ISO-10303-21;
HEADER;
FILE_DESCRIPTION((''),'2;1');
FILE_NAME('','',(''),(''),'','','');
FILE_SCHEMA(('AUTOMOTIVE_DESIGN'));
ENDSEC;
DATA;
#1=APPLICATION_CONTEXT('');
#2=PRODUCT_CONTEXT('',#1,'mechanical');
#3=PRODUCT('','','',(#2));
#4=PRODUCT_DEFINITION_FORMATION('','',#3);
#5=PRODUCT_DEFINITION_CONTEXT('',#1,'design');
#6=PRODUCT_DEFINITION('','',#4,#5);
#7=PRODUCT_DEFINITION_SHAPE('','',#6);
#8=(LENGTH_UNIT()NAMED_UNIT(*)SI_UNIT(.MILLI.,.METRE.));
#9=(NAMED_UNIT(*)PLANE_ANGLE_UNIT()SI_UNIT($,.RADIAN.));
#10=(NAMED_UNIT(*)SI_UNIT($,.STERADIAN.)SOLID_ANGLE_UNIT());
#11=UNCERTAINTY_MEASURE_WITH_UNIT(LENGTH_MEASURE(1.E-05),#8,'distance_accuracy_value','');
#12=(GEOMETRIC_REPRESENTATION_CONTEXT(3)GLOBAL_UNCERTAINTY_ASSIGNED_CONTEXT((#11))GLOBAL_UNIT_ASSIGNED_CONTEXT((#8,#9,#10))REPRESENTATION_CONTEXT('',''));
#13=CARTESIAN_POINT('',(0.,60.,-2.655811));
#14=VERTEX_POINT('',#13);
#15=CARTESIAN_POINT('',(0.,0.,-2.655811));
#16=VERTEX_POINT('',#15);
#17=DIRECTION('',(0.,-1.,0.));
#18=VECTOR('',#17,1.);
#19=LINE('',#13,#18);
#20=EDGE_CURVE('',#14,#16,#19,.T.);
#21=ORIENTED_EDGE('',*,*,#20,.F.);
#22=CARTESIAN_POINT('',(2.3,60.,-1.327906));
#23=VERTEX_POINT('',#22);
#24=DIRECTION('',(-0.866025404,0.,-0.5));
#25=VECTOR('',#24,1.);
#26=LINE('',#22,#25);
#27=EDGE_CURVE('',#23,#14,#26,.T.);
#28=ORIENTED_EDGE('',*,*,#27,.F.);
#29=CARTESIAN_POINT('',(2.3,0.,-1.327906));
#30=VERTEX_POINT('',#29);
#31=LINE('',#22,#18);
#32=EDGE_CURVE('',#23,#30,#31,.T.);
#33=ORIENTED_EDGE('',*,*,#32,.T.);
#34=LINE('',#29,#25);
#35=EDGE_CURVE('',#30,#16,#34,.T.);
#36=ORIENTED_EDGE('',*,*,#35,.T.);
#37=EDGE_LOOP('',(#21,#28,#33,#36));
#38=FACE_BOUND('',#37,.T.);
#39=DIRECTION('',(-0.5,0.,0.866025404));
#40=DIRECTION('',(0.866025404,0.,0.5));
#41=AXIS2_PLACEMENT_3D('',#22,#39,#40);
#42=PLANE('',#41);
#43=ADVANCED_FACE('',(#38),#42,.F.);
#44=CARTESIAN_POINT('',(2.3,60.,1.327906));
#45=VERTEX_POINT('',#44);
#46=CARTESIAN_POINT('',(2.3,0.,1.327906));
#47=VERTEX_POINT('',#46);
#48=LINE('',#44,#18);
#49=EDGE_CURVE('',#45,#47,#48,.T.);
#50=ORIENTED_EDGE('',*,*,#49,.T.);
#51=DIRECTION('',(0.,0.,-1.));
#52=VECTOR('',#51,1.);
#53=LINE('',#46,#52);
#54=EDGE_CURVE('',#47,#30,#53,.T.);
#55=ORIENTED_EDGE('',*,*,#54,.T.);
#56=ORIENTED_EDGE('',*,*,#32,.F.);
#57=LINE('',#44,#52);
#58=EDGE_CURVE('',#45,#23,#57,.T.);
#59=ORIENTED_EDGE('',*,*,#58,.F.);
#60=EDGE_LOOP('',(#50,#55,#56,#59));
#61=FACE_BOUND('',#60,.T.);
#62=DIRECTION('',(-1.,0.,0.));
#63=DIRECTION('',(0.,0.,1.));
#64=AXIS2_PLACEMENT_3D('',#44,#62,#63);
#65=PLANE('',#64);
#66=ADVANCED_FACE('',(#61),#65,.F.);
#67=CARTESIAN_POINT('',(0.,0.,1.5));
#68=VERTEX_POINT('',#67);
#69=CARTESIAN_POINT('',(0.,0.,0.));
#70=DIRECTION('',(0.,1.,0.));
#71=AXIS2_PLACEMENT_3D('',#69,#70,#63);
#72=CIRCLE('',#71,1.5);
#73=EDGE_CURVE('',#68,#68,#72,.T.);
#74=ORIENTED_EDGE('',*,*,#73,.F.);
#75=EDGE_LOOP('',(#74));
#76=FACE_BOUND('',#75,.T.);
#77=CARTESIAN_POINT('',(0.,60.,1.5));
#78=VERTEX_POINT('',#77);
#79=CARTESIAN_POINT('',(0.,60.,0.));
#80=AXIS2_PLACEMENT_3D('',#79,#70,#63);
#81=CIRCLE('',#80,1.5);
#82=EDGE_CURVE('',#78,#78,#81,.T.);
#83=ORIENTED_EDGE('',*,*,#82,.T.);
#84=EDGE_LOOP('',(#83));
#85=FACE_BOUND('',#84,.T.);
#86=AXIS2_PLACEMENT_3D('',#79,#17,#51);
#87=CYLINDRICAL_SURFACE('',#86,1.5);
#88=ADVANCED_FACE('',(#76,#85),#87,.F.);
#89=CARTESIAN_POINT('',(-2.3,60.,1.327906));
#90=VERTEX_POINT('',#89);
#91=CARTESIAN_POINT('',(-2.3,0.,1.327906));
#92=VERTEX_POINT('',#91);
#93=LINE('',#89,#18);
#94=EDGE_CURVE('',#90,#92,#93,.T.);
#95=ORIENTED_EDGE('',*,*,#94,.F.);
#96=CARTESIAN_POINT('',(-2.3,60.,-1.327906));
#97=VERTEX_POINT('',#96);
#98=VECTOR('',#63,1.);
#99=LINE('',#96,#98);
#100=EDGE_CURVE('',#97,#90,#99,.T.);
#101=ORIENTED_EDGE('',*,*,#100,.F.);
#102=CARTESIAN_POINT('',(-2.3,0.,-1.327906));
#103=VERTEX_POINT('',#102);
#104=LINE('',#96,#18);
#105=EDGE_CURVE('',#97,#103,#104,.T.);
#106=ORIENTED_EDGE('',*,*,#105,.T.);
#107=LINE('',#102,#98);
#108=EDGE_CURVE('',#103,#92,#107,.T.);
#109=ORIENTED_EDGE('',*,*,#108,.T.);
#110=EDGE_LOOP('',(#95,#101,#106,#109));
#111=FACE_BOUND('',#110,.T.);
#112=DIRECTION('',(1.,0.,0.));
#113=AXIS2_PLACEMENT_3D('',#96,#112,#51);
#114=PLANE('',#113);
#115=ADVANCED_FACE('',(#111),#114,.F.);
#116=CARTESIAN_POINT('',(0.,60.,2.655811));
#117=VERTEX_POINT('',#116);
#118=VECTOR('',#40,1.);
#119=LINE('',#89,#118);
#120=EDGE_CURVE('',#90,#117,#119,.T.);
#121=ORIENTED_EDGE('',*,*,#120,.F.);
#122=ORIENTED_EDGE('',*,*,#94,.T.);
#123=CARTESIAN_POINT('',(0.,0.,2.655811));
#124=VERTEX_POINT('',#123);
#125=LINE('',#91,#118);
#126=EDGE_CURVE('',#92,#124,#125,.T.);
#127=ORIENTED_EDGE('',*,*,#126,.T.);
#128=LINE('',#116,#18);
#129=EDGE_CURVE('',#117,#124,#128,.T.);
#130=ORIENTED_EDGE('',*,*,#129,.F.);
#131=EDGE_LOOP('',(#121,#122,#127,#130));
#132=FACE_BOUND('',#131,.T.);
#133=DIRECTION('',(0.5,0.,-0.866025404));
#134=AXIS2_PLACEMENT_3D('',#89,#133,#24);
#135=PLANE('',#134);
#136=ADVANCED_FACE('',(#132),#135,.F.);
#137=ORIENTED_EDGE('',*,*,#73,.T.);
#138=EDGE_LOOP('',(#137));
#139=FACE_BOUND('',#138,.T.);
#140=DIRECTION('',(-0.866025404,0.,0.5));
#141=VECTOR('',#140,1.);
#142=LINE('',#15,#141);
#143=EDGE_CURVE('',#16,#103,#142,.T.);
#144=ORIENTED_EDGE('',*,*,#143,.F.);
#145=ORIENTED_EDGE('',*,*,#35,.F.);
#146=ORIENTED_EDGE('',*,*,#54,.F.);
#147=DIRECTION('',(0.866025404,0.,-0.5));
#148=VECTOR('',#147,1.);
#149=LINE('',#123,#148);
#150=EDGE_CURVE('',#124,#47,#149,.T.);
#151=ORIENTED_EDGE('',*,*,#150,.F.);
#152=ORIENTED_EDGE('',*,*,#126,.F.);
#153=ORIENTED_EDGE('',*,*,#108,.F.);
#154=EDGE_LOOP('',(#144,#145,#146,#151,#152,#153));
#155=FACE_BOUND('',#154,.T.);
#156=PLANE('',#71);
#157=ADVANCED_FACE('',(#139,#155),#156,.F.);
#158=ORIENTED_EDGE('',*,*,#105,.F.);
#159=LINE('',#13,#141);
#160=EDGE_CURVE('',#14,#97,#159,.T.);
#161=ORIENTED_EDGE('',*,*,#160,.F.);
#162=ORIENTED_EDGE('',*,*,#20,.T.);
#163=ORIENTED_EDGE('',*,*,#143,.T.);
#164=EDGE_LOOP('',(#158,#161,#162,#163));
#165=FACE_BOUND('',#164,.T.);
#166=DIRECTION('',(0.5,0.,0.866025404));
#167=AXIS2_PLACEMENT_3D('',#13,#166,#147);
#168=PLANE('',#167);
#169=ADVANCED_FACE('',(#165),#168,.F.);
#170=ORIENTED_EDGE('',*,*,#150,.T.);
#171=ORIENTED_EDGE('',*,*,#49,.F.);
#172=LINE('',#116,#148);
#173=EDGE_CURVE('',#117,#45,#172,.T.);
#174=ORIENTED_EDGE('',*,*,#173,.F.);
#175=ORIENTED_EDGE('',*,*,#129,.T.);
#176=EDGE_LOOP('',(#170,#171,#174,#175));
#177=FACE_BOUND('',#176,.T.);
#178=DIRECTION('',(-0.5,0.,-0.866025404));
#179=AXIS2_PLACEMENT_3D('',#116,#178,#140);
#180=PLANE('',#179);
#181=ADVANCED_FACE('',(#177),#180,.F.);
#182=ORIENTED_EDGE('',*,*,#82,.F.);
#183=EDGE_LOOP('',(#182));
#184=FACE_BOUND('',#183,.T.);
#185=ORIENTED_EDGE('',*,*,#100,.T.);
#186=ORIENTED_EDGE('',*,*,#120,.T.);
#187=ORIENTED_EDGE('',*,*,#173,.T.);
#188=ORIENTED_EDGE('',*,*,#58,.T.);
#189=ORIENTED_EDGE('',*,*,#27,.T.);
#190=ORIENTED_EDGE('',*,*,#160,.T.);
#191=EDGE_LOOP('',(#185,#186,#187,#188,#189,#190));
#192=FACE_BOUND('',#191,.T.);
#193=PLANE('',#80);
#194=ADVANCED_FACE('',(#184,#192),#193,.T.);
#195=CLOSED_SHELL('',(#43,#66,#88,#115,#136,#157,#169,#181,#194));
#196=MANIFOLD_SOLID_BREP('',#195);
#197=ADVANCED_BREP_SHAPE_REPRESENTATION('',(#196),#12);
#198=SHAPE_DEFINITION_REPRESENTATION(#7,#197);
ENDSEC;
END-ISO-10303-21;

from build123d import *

# Parameters (mm, degrees)
SKETCH_1_R      = 1.5
EXTRUDE_1_DEPTH = 60


with BuildPart() as part:
    # 草图1 → 凸台-拉伸1 (new body)
    with BuildSketch(Plane(origin=(0, 0, 0), x_dir=(1, 0, 0), z_dir=(0, 1, 0))):
        Polygon((0, 2.655811238), (-2.3, 1.327905619), (-2.3, -1.327905619), (0, -2.655811238), (2.3, -1.327905619), (2.3, 1.327905619), align=None)
        with Locations(Location((0, 0, 0), (0, 0, 270))):
            Circle(SKETCH_1_R, mode=Mode.SUBTRACT)
    extrude(amount=EXTRUDE_1_DEPTH)


solid = part.part
